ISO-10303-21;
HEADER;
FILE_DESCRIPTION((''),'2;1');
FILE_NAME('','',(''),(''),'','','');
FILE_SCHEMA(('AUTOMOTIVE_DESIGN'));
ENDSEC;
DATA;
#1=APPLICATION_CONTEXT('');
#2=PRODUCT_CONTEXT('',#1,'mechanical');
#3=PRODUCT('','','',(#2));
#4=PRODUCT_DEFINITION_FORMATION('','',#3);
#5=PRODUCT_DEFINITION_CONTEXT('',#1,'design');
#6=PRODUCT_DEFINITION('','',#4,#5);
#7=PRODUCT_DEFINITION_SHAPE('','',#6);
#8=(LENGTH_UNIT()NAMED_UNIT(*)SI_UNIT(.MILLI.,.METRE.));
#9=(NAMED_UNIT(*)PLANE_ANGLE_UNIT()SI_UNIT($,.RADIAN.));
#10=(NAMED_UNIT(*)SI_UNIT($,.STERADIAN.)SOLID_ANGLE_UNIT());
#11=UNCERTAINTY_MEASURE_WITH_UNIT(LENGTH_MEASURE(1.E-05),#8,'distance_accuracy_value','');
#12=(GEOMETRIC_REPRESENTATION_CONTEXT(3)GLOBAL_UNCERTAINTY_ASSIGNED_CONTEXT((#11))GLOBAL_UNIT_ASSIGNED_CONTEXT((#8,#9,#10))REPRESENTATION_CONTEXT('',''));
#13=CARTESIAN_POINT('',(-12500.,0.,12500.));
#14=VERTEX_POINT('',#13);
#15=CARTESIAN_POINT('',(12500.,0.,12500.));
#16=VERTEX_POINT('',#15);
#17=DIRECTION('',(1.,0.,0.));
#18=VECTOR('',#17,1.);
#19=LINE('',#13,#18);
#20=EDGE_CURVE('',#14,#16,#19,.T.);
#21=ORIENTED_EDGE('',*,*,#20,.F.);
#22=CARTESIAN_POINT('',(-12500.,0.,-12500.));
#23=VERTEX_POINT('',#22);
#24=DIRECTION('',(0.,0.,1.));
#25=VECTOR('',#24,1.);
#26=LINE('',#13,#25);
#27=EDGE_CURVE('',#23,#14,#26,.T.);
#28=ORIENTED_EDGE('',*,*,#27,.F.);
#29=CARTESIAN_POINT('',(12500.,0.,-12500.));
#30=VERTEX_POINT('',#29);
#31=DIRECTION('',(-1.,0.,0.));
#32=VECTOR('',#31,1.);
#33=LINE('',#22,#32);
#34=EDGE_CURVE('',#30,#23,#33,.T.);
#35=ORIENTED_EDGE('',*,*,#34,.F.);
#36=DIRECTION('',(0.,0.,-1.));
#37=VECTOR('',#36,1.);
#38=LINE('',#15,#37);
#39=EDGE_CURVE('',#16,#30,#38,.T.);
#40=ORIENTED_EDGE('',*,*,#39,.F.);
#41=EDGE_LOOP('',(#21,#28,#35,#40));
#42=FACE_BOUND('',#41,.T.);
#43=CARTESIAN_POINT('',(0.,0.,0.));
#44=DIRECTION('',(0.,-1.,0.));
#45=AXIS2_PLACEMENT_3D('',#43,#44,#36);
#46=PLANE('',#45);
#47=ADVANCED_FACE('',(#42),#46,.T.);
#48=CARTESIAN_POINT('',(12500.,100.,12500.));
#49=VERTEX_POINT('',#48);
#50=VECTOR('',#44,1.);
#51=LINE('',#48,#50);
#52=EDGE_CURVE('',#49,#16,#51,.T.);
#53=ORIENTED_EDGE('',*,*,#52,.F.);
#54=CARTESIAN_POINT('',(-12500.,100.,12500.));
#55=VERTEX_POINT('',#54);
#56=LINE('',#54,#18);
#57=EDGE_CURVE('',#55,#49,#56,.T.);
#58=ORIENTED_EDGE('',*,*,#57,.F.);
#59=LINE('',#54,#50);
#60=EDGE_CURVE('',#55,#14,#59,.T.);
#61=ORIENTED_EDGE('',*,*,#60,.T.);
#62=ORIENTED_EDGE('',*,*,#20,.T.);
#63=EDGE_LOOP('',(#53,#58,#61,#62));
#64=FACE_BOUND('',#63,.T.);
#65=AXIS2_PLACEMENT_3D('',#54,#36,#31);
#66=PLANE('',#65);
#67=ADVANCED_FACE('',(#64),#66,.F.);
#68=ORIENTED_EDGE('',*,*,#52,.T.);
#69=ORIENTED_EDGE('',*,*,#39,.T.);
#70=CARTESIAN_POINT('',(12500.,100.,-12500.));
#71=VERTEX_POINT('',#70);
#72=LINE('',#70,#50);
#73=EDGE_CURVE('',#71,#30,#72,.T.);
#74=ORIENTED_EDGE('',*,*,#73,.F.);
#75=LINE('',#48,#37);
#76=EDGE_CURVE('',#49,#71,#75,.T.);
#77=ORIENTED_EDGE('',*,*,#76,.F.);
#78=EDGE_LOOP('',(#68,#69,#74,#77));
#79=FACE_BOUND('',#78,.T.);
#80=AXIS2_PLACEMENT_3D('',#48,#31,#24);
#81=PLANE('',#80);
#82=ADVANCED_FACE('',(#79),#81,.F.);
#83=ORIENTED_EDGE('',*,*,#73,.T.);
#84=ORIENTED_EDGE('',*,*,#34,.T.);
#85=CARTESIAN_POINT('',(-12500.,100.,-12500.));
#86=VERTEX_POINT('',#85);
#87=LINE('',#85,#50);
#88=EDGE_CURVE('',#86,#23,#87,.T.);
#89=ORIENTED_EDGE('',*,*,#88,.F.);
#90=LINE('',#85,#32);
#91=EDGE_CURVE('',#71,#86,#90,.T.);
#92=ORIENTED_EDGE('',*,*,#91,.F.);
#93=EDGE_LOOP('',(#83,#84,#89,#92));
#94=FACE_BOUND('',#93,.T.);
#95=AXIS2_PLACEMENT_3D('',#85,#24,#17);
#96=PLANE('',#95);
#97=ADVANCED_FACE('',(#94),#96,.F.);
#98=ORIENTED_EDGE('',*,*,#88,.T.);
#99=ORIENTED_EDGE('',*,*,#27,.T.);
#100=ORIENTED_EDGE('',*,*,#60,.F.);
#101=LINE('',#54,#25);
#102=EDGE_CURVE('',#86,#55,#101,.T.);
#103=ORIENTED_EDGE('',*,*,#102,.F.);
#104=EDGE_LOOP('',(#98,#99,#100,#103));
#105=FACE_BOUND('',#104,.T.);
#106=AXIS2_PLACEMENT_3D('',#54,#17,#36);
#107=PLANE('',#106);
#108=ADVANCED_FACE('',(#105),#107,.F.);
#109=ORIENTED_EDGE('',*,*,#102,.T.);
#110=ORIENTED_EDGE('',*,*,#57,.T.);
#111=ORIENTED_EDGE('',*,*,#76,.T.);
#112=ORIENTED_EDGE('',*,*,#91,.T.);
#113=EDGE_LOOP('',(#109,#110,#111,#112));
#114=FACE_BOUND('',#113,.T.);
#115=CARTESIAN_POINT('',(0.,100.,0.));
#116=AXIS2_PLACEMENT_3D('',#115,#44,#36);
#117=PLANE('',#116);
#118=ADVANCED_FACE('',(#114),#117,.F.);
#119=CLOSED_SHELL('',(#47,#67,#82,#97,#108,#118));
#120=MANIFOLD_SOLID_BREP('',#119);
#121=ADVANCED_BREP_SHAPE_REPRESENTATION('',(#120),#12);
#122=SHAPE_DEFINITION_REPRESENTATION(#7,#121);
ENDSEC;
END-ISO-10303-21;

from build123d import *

# Parameters (mm, degrees)
SZKIC1_W                    = 25000
SZKIC1_H                    = 25000
DODANIE_WYCI_GNI_CIE1_DEPTH = 100


with BuildPart() as part:
    # Szkic1 → Dodanie-wyciągnięcie1 (new body)
    with BuildSketch(Plane(origin=(0, 0, 0), x_dir=(1, 0, 0), z_dir=(0, 1, 0))):
        Rectangle(SZKIC1_W, SZKIC1_H)
    extrude(amount=DODANIE_WYCI_GNI_CIE1_DEPTH)


solid = part.part
